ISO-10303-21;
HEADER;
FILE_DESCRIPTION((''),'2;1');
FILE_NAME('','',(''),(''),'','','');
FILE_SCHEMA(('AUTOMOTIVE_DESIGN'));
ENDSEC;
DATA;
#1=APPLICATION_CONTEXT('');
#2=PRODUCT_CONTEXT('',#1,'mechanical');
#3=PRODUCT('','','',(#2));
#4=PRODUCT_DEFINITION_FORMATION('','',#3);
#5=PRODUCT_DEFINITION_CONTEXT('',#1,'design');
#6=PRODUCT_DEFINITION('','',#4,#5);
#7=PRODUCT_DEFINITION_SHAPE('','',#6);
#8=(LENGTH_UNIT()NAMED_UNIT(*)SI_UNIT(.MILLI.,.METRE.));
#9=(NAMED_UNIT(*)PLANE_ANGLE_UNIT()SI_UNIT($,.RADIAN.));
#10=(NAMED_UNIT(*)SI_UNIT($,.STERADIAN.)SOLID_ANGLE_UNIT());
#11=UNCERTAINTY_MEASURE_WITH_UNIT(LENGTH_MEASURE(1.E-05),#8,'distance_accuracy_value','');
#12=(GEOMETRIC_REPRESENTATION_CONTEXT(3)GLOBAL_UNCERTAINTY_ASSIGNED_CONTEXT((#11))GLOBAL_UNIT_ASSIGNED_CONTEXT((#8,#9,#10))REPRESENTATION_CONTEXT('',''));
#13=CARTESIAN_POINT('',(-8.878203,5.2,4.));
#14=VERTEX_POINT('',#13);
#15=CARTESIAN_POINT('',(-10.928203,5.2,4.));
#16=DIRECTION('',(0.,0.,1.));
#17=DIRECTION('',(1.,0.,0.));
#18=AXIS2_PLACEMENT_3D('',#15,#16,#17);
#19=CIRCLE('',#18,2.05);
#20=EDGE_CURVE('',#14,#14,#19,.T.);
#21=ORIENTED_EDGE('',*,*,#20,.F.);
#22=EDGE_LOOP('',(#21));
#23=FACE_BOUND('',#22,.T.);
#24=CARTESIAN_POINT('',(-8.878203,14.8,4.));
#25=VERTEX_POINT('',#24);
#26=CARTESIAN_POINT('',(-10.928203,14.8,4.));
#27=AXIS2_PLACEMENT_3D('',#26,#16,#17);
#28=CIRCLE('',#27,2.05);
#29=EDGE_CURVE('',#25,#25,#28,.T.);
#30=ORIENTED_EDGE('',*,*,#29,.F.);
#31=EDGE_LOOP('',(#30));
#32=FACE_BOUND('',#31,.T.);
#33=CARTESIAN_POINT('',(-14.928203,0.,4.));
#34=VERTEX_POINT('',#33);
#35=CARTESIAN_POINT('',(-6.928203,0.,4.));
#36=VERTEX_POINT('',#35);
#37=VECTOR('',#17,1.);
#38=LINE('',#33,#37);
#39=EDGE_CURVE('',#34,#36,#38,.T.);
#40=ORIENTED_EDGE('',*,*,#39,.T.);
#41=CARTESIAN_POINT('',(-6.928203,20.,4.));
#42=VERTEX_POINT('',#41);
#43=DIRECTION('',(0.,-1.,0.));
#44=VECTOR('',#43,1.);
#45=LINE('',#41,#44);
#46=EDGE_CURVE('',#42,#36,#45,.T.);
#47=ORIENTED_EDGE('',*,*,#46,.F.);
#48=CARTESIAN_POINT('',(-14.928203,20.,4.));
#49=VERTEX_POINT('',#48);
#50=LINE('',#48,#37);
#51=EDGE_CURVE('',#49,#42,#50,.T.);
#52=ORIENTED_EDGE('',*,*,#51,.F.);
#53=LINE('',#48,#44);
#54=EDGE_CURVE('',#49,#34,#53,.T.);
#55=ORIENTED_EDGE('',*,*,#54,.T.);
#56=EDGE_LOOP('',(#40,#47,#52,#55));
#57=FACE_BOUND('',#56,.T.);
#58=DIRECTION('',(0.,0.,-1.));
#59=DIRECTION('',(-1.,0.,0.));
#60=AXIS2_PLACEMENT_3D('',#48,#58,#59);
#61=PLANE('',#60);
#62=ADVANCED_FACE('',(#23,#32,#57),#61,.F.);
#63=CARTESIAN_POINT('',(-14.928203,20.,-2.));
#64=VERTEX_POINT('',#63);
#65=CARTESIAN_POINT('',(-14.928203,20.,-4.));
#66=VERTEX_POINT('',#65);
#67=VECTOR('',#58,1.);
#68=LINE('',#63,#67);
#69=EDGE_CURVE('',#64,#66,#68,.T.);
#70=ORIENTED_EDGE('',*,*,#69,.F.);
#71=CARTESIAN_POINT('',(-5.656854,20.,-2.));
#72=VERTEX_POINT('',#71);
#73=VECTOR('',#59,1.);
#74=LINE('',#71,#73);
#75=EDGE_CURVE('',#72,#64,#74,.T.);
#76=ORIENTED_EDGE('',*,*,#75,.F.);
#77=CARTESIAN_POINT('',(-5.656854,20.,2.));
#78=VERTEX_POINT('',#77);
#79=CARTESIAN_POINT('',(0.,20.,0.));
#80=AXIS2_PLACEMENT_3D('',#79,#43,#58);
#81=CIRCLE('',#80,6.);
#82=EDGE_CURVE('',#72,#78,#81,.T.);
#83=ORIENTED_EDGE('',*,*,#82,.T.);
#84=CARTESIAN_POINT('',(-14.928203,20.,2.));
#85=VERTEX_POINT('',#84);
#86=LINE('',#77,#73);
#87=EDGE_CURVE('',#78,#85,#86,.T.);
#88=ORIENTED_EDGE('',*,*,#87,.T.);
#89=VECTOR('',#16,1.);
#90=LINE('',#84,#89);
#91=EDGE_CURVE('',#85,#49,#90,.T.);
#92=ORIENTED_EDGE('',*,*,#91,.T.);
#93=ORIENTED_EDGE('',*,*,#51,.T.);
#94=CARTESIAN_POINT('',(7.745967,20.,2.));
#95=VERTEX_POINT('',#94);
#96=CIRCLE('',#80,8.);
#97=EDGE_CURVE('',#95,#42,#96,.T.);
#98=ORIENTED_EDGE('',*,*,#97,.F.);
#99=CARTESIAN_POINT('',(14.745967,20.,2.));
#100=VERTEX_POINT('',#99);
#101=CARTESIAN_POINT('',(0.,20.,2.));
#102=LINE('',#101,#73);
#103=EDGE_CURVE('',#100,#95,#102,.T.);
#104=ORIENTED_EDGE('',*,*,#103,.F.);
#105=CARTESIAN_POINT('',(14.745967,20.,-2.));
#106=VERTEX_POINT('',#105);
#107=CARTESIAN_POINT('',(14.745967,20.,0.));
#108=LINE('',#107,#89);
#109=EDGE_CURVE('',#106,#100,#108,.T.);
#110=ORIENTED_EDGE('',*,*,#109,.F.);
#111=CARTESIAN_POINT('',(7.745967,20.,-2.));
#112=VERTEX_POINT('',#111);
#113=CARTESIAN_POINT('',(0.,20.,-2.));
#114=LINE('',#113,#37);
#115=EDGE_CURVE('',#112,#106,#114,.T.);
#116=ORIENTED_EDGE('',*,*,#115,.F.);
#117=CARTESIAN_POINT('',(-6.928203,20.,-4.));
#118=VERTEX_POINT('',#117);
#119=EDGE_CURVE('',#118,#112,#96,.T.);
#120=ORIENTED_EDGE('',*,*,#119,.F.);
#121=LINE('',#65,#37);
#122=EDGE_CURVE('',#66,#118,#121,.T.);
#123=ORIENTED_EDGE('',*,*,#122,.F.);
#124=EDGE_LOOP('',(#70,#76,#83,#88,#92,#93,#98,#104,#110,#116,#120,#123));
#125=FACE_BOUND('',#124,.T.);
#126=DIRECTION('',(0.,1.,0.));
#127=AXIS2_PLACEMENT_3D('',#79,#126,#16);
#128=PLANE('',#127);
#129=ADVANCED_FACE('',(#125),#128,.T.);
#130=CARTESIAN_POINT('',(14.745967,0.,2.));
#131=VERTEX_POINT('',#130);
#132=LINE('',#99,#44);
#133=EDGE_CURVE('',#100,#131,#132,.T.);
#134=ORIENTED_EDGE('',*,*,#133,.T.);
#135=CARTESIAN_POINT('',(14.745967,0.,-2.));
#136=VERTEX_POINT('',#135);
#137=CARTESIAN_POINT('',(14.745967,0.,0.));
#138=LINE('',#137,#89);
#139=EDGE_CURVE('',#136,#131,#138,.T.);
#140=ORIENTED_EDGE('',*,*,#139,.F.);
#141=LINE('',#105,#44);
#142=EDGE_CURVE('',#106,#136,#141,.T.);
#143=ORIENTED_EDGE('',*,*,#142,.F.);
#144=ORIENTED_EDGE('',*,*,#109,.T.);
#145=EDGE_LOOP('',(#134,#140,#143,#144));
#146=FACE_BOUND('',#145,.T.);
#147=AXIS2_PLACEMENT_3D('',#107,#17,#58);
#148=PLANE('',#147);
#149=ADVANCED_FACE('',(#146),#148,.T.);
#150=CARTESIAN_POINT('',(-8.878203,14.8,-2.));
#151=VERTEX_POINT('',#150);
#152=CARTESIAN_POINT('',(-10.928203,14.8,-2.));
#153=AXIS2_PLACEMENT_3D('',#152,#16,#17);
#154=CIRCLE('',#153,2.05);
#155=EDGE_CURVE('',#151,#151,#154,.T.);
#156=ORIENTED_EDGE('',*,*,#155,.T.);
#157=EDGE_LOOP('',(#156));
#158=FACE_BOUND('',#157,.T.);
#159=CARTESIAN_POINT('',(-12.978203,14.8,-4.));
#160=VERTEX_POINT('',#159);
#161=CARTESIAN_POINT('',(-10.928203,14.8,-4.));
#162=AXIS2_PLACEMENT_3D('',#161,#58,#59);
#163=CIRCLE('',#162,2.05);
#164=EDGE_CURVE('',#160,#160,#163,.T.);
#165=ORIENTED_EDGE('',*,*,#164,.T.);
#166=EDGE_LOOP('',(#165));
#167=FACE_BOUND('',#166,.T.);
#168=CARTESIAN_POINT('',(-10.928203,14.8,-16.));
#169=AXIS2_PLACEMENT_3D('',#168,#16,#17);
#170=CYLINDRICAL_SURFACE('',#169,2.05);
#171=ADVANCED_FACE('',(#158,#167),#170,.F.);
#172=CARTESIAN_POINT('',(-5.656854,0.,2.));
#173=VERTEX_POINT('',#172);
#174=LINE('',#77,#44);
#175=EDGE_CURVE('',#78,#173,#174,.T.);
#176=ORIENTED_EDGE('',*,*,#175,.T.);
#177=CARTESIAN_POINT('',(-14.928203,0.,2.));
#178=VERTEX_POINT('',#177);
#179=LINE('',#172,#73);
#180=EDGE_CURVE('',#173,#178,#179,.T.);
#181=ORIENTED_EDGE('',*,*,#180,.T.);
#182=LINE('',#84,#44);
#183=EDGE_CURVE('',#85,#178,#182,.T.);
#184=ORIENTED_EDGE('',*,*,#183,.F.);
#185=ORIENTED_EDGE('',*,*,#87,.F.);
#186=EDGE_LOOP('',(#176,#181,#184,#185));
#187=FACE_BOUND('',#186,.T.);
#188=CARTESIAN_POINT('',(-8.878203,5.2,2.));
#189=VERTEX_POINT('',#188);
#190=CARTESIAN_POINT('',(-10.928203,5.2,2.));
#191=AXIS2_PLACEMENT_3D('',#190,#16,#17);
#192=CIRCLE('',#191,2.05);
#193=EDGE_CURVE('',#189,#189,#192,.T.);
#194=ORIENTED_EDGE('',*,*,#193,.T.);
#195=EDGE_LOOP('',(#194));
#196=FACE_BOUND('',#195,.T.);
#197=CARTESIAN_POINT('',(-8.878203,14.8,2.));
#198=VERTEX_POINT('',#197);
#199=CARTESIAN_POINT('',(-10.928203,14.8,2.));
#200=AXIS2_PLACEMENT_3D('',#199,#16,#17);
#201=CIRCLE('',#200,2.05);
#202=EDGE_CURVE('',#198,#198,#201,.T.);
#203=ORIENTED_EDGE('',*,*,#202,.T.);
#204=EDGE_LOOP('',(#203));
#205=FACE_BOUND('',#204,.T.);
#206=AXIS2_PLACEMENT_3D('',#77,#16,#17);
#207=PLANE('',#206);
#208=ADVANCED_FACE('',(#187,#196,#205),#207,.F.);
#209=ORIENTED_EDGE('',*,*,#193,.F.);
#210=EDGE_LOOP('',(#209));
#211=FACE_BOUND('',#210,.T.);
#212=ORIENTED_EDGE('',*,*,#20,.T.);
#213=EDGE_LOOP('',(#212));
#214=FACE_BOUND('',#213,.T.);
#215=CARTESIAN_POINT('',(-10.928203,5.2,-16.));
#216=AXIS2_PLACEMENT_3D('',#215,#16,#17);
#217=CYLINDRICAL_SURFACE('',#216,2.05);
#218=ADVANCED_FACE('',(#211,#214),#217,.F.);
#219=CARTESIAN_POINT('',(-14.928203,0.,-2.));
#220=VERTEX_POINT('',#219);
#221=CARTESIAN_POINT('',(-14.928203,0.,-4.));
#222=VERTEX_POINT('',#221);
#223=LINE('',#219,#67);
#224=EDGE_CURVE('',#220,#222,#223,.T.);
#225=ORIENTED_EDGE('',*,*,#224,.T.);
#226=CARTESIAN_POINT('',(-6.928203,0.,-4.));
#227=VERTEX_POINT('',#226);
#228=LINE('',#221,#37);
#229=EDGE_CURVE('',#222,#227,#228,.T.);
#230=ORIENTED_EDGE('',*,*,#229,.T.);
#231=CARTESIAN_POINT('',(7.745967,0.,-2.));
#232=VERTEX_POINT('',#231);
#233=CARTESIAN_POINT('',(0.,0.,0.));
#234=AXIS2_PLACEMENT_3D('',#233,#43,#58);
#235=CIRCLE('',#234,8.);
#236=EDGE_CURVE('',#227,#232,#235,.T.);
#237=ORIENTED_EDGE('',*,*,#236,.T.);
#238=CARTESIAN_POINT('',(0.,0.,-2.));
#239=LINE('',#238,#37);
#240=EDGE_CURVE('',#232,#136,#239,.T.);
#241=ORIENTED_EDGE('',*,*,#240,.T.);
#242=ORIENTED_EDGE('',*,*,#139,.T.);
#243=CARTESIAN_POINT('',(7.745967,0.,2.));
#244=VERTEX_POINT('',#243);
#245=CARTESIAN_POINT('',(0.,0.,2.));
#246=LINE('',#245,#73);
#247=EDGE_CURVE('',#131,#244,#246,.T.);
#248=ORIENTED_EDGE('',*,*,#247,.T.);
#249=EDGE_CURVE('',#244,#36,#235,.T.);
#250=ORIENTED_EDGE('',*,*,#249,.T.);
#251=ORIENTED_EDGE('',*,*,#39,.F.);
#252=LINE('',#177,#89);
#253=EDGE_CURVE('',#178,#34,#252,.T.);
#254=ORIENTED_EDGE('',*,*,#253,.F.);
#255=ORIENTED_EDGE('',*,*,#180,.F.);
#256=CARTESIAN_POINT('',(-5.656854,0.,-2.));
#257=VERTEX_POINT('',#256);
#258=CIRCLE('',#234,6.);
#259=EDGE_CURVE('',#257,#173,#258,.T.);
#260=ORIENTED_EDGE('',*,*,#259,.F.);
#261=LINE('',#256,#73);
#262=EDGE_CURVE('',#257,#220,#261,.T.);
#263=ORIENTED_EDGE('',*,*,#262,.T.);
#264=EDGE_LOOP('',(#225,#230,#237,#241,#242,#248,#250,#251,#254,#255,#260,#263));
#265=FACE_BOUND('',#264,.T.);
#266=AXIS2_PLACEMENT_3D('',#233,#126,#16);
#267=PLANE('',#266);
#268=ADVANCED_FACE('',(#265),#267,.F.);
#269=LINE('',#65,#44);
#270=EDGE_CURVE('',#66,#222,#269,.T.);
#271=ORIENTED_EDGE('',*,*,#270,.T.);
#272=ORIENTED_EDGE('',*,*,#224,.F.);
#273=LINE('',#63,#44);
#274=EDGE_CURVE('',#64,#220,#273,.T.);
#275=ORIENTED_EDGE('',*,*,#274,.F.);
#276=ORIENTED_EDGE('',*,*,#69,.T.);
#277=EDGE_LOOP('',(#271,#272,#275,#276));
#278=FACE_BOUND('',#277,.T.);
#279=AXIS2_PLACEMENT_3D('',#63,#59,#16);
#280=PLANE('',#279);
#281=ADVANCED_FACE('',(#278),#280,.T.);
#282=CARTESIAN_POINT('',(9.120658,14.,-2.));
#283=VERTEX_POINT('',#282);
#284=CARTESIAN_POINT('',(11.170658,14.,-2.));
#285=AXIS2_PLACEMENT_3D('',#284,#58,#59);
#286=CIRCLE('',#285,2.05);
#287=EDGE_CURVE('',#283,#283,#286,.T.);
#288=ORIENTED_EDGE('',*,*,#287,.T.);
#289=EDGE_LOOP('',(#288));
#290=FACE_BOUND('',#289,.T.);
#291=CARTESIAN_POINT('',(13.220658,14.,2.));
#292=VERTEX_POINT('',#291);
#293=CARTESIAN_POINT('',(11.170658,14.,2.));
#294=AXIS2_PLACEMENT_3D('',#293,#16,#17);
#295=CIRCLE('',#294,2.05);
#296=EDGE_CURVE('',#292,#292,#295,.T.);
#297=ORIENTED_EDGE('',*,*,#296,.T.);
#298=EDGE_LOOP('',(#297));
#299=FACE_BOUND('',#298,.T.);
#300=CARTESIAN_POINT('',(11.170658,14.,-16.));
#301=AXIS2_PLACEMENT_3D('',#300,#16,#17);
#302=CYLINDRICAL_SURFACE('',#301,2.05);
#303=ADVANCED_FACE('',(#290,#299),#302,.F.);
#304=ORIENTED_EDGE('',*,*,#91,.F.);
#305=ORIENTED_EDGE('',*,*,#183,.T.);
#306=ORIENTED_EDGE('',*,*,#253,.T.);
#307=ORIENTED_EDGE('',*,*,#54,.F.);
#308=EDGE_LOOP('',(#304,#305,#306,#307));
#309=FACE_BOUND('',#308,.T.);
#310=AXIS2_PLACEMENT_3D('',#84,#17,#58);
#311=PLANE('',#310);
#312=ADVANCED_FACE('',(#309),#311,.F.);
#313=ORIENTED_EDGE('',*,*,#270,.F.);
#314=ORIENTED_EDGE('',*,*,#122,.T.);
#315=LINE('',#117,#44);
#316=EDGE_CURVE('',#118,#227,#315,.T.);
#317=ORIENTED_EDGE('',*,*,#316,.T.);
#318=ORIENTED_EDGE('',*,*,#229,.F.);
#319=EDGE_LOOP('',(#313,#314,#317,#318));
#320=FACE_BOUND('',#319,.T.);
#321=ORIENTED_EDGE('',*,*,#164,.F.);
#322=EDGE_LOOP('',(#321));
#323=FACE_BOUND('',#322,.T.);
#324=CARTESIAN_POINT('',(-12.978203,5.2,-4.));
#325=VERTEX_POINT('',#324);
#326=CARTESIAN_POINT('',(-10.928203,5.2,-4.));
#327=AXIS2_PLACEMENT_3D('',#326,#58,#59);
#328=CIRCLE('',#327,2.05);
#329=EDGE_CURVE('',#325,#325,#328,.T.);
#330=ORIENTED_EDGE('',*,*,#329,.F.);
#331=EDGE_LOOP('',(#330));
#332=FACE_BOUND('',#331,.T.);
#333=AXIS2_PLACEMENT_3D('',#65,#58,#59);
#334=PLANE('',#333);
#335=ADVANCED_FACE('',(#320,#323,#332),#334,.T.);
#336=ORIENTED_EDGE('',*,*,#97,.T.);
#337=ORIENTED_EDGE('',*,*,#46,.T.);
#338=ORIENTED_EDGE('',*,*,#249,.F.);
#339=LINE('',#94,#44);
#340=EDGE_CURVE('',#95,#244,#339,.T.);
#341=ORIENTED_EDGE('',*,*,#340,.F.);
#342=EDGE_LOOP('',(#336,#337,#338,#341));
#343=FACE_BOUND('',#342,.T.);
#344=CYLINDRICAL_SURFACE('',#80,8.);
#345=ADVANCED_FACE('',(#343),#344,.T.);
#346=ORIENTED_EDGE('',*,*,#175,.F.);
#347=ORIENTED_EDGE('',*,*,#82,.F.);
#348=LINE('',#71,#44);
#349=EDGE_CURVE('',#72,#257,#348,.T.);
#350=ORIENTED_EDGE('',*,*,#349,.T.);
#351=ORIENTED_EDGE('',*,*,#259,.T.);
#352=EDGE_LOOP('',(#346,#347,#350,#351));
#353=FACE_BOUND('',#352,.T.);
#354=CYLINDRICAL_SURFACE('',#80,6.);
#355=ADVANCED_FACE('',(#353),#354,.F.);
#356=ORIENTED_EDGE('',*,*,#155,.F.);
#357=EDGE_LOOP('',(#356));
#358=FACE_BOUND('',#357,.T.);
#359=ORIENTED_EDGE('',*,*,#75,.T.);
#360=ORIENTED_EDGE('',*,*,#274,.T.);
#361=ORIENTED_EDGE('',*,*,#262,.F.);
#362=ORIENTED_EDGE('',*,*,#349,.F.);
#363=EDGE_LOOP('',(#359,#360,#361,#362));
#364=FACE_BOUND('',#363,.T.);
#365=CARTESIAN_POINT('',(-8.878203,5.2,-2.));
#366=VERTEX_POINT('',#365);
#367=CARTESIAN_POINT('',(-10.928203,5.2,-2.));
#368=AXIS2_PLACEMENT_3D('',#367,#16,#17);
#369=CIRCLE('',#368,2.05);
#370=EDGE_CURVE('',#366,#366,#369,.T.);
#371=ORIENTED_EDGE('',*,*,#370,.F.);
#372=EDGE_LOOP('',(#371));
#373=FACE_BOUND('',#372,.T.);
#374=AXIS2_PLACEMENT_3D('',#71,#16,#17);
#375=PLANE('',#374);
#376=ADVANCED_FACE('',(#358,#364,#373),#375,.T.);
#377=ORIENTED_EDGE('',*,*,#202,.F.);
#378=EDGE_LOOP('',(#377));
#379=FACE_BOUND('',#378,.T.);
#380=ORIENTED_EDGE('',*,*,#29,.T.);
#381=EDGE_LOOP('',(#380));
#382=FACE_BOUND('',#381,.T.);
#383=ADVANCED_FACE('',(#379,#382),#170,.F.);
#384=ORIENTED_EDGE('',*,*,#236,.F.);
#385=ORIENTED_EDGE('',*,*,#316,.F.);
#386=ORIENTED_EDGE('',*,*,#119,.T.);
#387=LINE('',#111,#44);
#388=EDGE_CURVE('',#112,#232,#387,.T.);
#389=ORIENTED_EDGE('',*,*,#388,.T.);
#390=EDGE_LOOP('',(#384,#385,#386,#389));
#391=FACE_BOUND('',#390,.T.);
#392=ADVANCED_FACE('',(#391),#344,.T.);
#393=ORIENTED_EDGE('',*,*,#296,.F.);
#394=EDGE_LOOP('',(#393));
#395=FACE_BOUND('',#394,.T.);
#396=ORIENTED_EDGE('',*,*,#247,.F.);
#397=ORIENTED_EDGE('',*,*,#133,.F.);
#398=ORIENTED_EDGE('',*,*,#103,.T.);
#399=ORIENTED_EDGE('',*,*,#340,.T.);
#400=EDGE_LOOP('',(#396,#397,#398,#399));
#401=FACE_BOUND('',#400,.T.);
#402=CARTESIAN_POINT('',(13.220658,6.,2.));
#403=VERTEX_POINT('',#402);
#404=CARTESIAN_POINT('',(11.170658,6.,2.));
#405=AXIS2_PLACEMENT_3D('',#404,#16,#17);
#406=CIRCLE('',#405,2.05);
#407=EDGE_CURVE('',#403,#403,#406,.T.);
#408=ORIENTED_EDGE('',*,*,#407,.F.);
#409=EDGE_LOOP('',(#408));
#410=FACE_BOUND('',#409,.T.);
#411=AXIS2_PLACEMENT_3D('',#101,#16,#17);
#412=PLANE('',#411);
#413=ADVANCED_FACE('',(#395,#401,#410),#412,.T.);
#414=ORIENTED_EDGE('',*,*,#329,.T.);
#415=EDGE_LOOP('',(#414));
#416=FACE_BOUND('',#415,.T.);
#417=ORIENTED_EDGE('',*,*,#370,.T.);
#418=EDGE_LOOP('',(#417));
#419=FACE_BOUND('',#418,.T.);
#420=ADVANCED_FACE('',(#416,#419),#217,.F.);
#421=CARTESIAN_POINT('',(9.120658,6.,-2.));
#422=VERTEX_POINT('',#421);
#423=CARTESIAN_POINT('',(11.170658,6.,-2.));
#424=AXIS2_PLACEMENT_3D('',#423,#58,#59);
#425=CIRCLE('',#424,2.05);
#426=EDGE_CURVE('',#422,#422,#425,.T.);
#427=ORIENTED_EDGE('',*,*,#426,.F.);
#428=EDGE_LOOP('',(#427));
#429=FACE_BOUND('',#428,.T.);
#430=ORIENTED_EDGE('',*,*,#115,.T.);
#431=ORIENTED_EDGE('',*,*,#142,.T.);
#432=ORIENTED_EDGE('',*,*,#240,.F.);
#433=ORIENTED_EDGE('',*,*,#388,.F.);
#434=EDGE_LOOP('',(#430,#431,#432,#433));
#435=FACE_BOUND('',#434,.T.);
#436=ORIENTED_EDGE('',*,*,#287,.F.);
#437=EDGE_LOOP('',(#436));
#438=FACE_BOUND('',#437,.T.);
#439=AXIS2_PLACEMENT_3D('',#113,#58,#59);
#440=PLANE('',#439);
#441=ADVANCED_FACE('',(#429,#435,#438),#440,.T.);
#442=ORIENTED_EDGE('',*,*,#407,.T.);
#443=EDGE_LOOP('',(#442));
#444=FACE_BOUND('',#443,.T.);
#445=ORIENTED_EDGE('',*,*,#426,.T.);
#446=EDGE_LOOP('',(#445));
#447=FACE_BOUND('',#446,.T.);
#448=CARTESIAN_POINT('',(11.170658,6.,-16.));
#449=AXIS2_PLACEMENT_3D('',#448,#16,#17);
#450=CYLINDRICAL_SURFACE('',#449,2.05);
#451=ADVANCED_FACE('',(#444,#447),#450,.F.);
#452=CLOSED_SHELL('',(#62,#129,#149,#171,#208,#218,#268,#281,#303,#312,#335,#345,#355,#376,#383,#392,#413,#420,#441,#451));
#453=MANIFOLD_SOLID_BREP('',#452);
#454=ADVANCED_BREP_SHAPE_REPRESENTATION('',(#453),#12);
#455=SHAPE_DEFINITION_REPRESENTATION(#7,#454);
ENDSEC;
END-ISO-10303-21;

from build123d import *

# Parameters (mm, degrees)
BOSS_EXTRUDE1_DEPTH = 20
SKETCH2_R           = 2.05
CUT_EXTRUDE1_DEPTH  = 20


with BuildPart() as part:
    # Sketch1 → Boss-Extrude1 (new body)
    with BuildSketch(Plane(origin=(0, 0, 0), x_dir=(1, 0, 0), z_dir=(0, 1, 0))):
        with BuildLine():
            Line((-14.92820323, 2), (-5.656854249, 2))
            ThreePointArc((-5.656854249, 2), (6, 0), (-5.656854249, -2))
            Line((-5.656854249, -2), (-14.92820323, -2))
            Line((-14.92820323, -2), (-14.92820323, -4))
            Line((-14.92820323, -4), (-6.92820323, -4))
            ThreePointArc((-6.92820323, -4), (1.080363027, -7.926715318), (7.745966692, -2))
            Line((7.745966692, -2), (14.745966692, -2))
            Line((14.745966692, -2), (14.745966692, 2))
            Line((14.745966692, 2), (7.745966692, 2))
            ThreePointArc((7.745966692, 2), (1.080363027, 7.926715318), (-6.92820323, 4))
            Line((-6.92820323, 4), (-14.92820323, 4))
            Line((-14.92820323, 4), (-14.92820323, 2))
        make_face()
    extrude(amount=BOSS_EXTRUDE1_DEPTH)

    # Sketch2 → Cut-Extrude1 (cut)
    with BuildSketch(Plane.XY.offset(4)):
        with Locations((-10.92820323, 14.8)):
            Circle(SKETCH2_R)
        with Locations((-10.92820323, 5.2)):
            Circle(SKETCH2_R)
        with Locations((11.170658207, 14)):
            Circle(SKETCH2_R)
        with Locations((11.170658207, 6)):
            Circle(SKETCH2_R)
    extrude(amount=-CUT_EXTRUDE1_DEPTH, mode=Mode.SUBTRACT)


solid = part.part
